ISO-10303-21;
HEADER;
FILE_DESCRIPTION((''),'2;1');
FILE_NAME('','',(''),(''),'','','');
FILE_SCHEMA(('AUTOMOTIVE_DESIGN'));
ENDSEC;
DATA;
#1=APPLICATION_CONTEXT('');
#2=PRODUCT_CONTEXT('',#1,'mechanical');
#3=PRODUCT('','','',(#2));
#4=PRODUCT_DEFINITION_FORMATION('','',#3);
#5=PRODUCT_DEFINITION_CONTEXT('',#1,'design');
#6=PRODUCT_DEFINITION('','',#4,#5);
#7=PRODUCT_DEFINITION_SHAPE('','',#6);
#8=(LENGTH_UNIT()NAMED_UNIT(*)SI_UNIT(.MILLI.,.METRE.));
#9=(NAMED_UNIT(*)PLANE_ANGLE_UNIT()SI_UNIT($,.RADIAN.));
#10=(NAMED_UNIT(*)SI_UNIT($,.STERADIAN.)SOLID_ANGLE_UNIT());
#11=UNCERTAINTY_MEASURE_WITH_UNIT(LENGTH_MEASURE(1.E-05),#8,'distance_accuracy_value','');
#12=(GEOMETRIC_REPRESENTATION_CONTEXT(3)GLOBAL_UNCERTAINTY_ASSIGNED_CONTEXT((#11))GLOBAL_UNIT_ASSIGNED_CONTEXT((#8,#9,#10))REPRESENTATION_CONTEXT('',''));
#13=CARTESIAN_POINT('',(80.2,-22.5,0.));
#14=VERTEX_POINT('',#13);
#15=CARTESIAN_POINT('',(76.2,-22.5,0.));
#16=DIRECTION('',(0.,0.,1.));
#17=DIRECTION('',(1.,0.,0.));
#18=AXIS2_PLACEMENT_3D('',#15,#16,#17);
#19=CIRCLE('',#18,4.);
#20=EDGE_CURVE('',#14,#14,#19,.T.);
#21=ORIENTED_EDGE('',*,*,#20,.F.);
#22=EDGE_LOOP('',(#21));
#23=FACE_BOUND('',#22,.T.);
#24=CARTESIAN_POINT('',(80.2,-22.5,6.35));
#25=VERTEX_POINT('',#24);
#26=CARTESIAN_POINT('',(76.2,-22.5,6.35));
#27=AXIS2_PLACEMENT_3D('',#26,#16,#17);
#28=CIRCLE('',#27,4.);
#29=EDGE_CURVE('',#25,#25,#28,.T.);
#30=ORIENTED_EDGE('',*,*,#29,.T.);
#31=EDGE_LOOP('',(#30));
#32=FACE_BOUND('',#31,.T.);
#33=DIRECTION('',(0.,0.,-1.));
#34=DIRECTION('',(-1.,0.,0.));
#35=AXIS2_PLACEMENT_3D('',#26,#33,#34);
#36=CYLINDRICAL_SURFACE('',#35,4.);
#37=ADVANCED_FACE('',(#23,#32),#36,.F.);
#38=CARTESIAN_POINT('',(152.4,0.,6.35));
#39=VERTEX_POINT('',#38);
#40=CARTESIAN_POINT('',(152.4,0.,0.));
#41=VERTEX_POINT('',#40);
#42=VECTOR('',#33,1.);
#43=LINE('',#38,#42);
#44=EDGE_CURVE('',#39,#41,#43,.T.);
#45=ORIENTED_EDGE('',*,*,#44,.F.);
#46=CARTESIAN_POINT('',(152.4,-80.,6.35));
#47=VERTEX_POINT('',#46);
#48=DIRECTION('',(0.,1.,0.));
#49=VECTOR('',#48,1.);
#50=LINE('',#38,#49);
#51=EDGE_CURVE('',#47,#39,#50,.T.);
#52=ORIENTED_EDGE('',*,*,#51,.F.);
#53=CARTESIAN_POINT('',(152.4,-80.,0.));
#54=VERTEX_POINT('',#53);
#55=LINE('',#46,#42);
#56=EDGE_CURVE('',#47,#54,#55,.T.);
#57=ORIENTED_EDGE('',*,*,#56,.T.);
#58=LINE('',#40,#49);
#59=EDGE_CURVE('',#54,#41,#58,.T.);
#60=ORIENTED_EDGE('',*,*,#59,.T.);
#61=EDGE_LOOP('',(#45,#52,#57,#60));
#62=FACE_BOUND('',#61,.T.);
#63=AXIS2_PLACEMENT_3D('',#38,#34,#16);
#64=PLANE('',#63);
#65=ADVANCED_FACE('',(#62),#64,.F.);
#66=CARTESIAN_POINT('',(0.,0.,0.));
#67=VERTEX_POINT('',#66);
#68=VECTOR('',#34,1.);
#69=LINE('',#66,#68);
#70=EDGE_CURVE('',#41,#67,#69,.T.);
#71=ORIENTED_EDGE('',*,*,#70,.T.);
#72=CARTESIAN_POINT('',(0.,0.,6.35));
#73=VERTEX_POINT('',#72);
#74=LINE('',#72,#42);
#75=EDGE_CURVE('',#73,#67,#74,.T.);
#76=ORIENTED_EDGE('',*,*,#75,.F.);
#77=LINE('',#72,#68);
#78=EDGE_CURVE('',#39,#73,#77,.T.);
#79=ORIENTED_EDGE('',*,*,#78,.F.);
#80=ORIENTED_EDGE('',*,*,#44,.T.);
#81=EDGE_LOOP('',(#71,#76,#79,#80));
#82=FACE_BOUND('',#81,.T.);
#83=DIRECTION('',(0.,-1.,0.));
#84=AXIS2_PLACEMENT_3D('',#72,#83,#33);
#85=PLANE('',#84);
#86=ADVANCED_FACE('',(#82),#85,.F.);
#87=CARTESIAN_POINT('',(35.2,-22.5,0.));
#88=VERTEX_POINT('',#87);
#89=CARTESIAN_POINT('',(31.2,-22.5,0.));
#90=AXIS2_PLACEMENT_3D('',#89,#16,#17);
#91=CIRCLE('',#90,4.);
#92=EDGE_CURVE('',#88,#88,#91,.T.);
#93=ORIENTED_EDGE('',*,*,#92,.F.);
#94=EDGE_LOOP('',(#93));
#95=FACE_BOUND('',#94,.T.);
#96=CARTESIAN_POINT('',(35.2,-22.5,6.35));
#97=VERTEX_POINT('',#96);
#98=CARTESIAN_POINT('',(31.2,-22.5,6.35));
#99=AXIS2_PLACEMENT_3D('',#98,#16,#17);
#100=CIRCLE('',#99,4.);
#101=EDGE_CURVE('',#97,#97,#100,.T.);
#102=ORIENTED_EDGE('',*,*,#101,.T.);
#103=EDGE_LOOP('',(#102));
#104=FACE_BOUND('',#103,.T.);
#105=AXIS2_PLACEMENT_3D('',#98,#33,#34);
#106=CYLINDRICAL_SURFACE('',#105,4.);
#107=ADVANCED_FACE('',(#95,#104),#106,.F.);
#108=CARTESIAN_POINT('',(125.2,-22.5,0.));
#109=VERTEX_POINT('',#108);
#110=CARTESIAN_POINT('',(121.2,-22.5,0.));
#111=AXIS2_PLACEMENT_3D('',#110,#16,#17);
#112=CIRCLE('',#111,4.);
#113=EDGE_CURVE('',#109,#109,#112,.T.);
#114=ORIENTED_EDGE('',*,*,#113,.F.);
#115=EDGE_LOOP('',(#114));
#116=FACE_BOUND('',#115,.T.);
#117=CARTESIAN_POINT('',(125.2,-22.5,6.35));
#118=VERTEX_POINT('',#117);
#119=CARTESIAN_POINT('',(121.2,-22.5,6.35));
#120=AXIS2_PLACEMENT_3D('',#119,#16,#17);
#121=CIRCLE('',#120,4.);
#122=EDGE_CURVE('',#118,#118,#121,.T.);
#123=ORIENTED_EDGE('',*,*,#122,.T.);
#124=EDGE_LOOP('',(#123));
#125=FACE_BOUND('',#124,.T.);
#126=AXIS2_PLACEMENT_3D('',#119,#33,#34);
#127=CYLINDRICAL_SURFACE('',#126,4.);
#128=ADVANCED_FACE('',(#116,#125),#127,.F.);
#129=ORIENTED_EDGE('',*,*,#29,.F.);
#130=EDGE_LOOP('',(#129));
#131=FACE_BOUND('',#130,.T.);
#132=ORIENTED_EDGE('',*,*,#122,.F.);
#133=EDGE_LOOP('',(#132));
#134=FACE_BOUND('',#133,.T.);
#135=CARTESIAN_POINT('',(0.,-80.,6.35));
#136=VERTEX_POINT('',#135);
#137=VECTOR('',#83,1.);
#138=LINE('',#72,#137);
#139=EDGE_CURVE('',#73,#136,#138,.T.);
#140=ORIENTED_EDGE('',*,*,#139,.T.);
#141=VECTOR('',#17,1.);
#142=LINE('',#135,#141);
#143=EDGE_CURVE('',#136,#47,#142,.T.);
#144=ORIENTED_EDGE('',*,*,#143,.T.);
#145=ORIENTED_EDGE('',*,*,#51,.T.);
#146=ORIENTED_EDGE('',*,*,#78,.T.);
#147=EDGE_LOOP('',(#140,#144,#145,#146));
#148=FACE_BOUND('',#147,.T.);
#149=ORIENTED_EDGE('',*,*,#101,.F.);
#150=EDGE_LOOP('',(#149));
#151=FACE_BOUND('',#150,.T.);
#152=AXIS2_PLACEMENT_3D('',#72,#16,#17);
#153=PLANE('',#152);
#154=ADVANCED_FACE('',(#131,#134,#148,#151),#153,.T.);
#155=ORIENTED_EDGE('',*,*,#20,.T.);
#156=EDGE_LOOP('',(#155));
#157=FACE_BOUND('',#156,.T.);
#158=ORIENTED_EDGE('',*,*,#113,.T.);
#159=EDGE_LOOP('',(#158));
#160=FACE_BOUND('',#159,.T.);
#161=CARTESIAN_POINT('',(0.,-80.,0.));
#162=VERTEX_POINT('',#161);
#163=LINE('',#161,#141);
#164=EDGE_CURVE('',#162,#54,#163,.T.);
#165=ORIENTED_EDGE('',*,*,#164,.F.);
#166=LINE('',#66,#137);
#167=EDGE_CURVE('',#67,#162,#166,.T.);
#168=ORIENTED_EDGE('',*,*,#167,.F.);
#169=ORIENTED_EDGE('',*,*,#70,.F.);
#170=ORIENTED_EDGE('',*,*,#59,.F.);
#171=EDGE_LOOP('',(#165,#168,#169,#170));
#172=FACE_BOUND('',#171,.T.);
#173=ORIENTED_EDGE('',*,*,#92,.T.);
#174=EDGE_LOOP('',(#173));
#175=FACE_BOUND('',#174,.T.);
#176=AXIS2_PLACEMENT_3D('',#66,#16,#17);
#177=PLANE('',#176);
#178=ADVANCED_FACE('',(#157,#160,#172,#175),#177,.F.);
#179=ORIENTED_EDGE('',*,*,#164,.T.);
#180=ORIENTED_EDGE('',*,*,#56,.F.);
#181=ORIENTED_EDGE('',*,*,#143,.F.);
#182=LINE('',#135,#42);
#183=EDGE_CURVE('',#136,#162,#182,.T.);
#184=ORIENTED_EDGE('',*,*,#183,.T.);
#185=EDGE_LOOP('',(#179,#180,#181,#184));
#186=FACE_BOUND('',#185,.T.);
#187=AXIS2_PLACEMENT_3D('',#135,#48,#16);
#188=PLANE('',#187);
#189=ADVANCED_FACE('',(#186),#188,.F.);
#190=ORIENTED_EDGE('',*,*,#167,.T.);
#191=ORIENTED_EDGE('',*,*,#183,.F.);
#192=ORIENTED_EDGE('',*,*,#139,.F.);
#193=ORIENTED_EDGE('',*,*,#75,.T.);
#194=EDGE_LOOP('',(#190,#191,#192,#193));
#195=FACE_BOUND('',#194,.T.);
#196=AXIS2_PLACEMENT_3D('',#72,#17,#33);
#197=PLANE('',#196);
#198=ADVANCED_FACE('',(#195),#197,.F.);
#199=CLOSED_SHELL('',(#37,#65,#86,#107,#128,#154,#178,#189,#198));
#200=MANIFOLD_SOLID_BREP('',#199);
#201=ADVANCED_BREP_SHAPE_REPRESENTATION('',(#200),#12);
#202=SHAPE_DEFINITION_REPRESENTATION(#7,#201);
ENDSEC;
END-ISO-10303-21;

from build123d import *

# Parameters (mm, degrees)
SKETCH1_W           = 152.4
SKETCH1_H           = 80
SKETCH1_R           = 4
BOSS_EXTRUDE1_DEPTH = 6.35


with BuildPart() as part:
    # Sketch1 → Boss-Extrude1 (new body)
    with BuildSketch(Plane.XY):
        with Locations((76.2, -40)):
            Rectangle(SKETCH1_W, SKETCH1_H)
        with Locations((76.2, -22.5)):
            Circle(SKETCH1_R, mode=Mode.SUBTRACT)
        with Locations((31.2, -22.5)):
            Circle(SKETCH1_R, mode=Mode.SUBTRACT)
        with Locations((121.2, -22.5)):
            Circle(SKETCH1_R, mode=Mode.SUBTRACT)
    extrude(amount=BOSS_EXTRUDE1_DEPTH)


solid = part.part
